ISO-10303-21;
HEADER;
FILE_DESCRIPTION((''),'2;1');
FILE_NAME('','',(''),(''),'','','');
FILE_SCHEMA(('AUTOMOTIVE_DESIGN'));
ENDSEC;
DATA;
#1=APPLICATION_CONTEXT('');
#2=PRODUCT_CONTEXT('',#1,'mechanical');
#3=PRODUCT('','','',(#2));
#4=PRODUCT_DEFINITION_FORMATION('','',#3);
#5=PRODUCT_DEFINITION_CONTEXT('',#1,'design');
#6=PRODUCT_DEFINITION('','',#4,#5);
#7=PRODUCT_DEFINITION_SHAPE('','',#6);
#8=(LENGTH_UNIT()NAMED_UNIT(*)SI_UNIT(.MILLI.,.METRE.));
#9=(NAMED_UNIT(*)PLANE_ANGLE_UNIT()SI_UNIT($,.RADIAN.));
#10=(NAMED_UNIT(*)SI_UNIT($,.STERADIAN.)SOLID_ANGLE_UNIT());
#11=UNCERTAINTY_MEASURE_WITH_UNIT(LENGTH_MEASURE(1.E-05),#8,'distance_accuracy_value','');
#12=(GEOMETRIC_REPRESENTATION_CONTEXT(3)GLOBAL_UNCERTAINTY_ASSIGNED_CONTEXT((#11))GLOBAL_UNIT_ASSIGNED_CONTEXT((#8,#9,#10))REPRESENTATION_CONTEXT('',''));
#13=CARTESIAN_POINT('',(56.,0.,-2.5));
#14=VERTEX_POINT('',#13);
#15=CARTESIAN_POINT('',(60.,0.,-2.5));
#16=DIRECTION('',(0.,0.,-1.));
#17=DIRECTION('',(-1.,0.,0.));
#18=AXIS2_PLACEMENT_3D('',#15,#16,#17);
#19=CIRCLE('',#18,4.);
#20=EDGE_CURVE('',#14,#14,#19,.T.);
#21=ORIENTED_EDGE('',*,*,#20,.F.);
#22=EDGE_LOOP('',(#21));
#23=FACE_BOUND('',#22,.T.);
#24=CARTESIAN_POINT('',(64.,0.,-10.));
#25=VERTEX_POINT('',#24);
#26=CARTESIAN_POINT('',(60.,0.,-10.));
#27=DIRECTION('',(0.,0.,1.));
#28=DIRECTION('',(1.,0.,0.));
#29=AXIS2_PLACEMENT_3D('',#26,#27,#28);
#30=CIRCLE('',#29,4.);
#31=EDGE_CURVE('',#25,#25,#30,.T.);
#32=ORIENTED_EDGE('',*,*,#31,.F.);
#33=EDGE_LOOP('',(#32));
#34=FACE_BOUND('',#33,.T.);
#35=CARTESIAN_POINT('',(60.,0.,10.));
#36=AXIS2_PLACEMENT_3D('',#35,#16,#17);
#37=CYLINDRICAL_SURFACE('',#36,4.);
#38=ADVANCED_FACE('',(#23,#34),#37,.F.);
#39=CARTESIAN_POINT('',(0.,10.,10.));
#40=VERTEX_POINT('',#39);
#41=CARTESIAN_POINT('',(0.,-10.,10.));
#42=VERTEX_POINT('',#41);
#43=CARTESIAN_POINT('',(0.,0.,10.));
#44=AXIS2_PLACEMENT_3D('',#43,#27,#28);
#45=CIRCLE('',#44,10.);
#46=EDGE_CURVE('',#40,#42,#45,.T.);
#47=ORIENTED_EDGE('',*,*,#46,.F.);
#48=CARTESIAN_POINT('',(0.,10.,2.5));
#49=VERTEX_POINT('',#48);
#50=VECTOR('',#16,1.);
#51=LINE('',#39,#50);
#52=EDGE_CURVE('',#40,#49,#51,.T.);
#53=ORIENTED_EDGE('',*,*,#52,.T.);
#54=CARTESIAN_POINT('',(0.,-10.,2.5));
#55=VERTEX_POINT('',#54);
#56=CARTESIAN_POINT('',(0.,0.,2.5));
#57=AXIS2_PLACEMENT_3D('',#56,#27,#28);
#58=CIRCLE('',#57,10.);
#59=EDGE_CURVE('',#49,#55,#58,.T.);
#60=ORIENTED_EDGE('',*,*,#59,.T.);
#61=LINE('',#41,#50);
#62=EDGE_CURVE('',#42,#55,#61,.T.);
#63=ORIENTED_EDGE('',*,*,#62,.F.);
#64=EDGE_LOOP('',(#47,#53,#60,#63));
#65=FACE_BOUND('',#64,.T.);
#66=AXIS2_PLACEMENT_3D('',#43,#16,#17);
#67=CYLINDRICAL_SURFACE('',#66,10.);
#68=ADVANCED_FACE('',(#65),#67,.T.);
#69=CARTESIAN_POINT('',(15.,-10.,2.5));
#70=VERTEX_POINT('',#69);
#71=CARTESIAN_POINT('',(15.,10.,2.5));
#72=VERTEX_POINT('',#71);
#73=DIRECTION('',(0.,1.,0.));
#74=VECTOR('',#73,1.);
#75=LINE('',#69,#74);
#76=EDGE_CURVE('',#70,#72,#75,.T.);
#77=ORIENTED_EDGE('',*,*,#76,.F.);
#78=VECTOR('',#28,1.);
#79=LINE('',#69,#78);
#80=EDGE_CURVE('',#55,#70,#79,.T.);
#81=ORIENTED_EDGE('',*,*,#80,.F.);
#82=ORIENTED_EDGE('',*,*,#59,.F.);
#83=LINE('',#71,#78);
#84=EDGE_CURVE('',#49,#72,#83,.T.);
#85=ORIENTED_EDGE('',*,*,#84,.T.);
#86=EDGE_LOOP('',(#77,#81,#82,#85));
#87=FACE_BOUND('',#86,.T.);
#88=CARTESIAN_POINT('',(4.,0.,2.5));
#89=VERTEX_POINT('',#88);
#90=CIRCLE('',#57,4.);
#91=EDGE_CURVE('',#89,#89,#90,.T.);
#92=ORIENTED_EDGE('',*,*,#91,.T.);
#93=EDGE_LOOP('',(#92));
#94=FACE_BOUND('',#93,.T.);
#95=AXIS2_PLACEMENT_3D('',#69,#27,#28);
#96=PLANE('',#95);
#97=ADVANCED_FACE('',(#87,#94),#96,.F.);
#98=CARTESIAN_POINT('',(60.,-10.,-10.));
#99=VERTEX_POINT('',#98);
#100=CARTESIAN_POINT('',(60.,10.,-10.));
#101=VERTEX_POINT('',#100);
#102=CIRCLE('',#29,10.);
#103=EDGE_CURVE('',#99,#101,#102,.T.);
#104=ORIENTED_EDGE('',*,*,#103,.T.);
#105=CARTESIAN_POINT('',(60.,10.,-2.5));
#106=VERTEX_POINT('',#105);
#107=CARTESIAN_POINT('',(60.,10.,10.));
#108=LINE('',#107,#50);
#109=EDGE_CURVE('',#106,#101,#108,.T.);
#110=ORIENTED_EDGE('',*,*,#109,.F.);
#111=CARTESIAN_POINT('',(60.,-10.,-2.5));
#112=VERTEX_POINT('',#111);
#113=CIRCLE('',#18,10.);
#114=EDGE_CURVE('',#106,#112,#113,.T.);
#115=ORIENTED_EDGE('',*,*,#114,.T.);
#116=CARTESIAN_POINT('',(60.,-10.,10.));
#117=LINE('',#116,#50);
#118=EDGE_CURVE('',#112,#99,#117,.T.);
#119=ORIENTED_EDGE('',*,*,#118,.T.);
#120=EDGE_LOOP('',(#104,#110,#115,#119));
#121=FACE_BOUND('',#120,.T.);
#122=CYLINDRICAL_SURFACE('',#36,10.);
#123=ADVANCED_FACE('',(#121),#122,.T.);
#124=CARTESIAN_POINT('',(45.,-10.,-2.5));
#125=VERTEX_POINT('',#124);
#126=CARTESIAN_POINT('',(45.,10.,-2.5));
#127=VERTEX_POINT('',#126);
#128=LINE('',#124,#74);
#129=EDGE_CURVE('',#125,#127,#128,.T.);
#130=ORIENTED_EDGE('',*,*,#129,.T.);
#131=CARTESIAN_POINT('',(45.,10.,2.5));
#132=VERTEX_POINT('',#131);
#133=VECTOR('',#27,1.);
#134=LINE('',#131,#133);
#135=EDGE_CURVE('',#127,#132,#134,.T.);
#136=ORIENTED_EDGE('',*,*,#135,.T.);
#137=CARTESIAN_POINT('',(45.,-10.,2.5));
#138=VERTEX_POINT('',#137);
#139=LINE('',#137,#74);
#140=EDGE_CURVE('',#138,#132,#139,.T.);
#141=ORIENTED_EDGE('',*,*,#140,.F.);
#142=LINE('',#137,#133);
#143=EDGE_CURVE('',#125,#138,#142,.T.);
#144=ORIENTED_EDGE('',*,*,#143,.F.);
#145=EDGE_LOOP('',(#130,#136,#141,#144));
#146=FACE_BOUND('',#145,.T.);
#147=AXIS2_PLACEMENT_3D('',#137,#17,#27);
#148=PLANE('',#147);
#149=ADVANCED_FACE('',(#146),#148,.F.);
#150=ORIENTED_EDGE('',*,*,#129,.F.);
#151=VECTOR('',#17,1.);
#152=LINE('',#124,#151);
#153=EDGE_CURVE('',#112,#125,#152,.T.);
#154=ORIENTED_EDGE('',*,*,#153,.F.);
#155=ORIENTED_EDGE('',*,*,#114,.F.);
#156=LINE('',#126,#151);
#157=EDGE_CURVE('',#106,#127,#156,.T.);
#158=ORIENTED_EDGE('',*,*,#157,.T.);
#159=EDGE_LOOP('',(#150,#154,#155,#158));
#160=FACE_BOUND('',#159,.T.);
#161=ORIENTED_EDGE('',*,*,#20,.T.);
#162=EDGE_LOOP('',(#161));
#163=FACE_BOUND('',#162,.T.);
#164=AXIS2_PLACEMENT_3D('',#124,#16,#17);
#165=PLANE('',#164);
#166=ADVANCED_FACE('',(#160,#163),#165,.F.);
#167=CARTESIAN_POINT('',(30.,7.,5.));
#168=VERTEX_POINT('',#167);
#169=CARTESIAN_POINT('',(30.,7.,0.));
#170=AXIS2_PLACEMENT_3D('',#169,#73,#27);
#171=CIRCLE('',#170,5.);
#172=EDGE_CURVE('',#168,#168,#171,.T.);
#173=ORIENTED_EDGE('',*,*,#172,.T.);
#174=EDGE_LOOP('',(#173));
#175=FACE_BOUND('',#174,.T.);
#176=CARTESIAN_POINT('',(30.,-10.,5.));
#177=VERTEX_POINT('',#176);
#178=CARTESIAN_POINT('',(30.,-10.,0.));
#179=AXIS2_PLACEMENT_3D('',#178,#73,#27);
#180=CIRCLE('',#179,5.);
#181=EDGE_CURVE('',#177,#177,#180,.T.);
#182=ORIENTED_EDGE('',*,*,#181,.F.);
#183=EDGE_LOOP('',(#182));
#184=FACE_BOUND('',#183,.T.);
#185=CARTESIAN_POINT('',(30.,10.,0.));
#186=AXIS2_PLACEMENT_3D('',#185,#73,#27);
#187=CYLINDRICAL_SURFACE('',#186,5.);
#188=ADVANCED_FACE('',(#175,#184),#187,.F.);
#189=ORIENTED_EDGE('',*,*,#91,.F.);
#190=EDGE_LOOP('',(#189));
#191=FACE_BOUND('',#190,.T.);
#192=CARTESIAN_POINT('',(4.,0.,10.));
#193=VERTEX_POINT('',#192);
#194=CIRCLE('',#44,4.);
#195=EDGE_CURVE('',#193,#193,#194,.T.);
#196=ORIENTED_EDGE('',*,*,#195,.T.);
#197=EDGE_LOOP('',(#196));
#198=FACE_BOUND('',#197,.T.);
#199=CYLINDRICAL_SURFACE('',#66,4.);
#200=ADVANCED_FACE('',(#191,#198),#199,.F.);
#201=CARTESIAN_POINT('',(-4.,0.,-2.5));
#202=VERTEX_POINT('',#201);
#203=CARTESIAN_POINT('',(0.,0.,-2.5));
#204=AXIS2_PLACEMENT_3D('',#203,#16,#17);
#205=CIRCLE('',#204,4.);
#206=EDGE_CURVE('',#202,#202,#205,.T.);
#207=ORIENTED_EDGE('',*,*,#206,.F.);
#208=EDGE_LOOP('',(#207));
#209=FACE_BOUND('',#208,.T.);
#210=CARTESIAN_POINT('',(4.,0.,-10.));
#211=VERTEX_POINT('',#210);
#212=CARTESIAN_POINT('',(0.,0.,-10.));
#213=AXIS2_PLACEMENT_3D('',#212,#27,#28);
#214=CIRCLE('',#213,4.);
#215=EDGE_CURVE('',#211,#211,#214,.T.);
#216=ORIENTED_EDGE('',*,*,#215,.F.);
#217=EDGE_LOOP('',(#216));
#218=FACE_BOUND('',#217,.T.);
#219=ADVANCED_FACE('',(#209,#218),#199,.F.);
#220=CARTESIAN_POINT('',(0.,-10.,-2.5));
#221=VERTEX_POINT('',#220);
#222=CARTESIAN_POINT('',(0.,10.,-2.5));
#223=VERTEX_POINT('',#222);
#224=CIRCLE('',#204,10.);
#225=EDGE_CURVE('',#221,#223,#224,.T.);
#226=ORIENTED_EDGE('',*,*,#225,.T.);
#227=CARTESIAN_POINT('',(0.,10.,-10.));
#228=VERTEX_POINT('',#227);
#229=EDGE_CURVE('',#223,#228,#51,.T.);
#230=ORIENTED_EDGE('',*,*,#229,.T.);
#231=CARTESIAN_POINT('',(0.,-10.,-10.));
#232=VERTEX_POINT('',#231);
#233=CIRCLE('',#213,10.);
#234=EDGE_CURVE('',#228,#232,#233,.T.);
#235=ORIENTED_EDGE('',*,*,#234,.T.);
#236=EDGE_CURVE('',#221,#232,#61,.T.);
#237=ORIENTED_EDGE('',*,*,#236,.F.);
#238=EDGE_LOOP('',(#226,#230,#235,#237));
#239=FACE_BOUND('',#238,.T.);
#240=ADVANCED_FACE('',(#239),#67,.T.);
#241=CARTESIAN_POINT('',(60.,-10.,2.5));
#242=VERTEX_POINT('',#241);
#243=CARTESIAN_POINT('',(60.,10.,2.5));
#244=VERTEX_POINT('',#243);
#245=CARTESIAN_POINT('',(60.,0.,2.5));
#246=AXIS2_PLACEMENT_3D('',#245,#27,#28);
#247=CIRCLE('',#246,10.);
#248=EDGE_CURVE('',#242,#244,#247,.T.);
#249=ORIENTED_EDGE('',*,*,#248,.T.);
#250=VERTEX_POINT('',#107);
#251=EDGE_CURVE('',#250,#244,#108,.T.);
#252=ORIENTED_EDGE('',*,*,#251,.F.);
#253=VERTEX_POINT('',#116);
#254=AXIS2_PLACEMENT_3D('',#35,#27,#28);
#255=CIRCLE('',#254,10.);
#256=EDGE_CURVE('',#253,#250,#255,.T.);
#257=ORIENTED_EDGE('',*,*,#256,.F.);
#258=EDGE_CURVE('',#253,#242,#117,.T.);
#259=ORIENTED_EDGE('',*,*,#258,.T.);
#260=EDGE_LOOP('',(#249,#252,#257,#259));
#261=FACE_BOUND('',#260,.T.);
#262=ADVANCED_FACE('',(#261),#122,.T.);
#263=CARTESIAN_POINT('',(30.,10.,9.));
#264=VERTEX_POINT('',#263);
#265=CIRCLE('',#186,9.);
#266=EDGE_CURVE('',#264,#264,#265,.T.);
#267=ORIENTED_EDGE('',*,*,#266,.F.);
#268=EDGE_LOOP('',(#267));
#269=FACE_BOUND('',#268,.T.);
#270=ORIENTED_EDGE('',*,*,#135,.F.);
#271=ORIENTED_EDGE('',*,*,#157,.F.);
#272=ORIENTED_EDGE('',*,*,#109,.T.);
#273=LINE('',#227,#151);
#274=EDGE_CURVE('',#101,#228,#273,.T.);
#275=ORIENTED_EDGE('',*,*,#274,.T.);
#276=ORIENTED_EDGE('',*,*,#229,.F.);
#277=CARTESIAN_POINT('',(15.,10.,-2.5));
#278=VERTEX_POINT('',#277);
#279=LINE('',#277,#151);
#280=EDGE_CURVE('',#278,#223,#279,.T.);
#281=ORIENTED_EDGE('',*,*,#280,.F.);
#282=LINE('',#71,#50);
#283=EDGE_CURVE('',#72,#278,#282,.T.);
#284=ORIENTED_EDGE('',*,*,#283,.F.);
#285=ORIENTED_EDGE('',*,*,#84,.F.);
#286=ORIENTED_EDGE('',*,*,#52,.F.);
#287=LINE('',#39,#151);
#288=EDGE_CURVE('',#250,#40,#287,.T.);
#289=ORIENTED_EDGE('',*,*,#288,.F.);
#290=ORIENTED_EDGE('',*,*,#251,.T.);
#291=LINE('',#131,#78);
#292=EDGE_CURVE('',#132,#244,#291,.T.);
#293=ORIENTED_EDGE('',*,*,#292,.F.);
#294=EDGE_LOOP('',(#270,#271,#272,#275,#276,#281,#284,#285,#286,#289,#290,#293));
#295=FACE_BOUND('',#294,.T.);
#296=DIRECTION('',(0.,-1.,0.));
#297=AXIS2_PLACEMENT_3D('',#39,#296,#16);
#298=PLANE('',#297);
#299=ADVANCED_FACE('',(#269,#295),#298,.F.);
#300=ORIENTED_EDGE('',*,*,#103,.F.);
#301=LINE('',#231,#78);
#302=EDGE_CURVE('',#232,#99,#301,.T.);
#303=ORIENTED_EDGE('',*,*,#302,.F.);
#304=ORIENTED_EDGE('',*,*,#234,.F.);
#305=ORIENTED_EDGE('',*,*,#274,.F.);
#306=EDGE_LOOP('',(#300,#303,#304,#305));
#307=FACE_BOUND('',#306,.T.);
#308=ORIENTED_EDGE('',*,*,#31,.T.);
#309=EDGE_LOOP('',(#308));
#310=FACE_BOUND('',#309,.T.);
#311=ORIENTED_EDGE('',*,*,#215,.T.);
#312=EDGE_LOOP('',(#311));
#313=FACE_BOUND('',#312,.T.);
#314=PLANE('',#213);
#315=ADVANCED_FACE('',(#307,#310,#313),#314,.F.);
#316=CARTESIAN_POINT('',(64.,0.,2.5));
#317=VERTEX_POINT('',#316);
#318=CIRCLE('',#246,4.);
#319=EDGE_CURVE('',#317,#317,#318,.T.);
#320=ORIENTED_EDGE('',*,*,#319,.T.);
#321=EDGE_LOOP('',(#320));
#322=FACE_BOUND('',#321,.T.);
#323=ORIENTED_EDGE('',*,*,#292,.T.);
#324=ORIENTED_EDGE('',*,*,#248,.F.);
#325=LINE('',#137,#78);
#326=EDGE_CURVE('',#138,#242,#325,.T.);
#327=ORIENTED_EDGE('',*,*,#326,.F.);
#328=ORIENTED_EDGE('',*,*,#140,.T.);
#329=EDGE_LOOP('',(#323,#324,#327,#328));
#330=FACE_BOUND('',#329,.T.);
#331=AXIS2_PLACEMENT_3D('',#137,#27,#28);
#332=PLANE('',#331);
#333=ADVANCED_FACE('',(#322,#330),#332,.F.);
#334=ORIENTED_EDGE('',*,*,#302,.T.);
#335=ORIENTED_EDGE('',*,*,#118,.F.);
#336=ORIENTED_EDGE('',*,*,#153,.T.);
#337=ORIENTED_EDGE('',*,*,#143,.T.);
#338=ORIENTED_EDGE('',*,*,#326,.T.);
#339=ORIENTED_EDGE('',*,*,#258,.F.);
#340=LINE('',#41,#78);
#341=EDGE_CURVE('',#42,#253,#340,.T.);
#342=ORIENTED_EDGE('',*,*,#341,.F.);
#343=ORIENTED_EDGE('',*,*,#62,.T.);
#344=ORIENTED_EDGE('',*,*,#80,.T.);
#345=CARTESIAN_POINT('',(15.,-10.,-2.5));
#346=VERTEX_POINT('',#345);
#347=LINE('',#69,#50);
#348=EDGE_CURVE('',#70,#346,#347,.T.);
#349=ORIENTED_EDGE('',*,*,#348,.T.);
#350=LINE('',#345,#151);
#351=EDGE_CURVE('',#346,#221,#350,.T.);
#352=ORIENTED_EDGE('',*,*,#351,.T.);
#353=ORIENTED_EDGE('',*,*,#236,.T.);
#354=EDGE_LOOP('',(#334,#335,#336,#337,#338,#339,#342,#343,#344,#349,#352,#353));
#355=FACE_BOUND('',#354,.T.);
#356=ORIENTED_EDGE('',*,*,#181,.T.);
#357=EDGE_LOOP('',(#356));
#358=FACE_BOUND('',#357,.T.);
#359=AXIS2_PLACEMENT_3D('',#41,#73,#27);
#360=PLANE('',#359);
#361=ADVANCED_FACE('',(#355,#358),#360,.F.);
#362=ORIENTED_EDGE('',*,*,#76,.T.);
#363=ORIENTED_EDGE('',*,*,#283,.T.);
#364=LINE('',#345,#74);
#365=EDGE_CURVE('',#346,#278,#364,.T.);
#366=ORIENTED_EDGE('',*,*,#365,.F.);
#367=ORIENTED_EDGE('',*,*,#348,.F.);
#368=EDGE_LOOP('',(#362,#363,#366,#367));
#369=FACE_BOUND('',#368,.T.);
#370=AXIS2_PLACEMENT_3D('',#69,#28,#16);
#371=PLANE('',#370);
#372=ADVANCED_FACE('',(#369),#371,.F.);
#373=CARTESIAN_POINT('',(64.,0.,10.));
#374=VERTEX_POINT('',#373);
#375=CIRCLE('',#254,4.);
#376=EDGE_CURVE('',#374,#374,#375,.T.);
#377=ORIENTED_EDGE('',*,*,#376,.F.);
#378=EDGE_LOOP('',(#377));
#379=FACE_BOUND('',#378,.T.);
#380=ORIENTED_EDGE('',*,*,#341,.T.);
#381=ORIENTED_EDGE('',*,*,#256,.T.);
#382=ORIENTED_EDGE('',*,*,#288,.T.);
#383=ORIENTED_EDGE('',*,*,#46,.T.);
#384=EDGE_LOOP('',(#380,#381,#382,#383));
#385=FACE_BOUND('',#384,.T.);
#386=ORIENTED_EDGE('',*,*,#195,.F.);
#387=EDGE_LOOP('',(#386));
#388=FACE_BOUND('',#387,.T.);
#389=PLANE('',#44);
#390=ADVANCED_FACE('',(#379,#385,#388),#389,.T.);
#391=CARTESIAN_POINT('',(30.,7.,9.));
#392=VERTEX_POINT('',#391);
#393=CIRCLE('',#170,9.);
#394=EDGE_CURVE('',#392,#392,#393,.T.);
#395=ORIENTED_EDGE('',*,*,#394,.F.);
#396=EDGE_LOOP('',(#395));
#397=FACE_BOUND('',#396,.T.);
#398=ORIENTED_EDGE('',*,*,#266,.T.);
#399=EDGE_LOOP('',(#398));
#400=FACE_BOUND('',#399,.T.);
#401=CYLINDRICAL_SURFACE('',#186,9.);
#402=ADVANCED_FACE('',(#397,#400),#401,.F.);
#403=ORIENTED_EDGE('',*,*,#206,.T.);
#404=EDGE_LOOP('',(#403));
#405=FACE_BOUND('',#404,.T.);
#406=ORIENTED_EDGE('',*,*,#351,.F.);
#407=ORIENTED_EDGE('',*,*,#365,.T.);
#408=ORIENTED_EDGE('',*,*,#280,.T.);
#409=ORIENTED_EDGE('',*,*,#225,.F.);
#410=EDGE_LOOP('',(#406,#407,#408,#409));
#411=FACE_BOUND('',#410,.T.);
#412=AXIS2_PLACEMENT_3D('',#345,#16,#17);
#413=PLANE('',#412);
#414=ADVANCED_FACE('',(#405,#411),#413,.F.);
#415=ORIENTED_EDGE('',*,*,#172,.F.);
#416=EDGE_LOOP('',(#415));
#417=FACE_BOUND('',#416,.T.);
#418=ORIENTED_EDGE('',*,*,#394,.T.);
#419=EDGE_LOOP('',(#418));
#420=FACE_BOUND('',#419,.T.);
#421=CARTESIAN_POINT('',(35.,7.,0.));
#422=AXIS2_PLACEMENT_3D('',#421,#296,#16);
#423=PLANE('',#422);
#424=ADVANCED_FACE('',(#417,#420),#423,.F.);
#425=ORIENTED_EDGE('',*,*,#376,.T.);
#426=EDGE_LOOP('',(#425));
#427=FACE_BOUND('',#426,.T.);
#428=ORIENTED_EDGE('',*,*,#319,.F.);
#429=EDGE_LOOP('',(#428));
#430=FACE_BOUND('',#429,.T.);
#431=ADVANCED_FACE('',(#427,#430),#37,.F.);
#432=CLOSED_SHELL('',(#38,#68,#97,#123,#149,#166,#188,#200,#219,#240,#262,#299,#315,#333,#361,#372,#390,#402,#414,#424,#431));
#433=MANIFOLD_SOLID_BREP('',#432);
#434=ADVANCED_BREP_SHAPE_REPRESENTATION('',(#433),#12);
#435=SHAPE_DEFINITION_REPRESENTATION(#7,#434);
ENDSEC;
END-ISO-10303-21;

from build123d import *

# Parameters (mm, degrees)
SKETCH1_R               = 4
BOSS_EXTRUDE1_DEPTH     = 10
CUT_EXTRUDE2_DEPTH      = 72.414284285
CUT_EXTRUDE2_DEPTH_BACK = 72.414284285
SKETCH2_W               = 25
SKETCH2_H               = 5
HOLE1_D                 = 10
HOLE1_CBORE_D           = 18
HOLE1_CBORE_DEPTH       = 3


with BuildPart() as part:
    # Sketch1 → Boss-Extrude1 (new, symmetric)
    with BuildSketch(Plane.XY):
        with BuildLine():
            Line((0, 10), (60, 10))
            ThreePointArc((60, 10), (70, 0), (60, -10))
            Line((60, -10), (0, -10))
            ThreePointArc((0, -10), (-10, 0), (0, 10))
        make_face()
        Circle(SKETCH1_R, mode=Mode.SUBTRACT)
        with Locations((60, 0)):
            Circle(SKETCH1_R, mode=Mode.SUBTRACT)
    extrude(amount=BOSS_EXTRUDE1_DEPTH, both=True)

    # Sketch2 → Cut-Extrude2 (cut, two sides: drawn at the far end of the back side and taken through both)
    with BuildSketch(Plane(origin=(0, 0, 0), x_dir=(1, 0, 0), z_dir=(0, 1, 0)).offset(-CUT_EXTRUDE2_DEPTH_BACK)):
        with Locations((57.5, 0)):
            Rectangle(SKETCH2_W, SKETCH2_H)
        with Locations((2.5, 0)):
            Rectangle(SKETCH2_W, SKETCH2_H)
    extrude(amount=CUT_EXTRUDE2_DEPTH + CUT_EXTRUDE2_DEPTH_BACK, mode=Mode.SUBTRACT)

    # Hole1 (through all)
    with Locations(Plane(origin=(0, 10, 0), x_dir=(1, 0, 0), z_dir=(0, 1, 0))):
        with Locations((30, 0)):
            CounterBoreHole(HOLE1_D / 2, HOLE1_CBORE_D / 2, HOLE1_CBORE_DEPTH)


solid = part.part
